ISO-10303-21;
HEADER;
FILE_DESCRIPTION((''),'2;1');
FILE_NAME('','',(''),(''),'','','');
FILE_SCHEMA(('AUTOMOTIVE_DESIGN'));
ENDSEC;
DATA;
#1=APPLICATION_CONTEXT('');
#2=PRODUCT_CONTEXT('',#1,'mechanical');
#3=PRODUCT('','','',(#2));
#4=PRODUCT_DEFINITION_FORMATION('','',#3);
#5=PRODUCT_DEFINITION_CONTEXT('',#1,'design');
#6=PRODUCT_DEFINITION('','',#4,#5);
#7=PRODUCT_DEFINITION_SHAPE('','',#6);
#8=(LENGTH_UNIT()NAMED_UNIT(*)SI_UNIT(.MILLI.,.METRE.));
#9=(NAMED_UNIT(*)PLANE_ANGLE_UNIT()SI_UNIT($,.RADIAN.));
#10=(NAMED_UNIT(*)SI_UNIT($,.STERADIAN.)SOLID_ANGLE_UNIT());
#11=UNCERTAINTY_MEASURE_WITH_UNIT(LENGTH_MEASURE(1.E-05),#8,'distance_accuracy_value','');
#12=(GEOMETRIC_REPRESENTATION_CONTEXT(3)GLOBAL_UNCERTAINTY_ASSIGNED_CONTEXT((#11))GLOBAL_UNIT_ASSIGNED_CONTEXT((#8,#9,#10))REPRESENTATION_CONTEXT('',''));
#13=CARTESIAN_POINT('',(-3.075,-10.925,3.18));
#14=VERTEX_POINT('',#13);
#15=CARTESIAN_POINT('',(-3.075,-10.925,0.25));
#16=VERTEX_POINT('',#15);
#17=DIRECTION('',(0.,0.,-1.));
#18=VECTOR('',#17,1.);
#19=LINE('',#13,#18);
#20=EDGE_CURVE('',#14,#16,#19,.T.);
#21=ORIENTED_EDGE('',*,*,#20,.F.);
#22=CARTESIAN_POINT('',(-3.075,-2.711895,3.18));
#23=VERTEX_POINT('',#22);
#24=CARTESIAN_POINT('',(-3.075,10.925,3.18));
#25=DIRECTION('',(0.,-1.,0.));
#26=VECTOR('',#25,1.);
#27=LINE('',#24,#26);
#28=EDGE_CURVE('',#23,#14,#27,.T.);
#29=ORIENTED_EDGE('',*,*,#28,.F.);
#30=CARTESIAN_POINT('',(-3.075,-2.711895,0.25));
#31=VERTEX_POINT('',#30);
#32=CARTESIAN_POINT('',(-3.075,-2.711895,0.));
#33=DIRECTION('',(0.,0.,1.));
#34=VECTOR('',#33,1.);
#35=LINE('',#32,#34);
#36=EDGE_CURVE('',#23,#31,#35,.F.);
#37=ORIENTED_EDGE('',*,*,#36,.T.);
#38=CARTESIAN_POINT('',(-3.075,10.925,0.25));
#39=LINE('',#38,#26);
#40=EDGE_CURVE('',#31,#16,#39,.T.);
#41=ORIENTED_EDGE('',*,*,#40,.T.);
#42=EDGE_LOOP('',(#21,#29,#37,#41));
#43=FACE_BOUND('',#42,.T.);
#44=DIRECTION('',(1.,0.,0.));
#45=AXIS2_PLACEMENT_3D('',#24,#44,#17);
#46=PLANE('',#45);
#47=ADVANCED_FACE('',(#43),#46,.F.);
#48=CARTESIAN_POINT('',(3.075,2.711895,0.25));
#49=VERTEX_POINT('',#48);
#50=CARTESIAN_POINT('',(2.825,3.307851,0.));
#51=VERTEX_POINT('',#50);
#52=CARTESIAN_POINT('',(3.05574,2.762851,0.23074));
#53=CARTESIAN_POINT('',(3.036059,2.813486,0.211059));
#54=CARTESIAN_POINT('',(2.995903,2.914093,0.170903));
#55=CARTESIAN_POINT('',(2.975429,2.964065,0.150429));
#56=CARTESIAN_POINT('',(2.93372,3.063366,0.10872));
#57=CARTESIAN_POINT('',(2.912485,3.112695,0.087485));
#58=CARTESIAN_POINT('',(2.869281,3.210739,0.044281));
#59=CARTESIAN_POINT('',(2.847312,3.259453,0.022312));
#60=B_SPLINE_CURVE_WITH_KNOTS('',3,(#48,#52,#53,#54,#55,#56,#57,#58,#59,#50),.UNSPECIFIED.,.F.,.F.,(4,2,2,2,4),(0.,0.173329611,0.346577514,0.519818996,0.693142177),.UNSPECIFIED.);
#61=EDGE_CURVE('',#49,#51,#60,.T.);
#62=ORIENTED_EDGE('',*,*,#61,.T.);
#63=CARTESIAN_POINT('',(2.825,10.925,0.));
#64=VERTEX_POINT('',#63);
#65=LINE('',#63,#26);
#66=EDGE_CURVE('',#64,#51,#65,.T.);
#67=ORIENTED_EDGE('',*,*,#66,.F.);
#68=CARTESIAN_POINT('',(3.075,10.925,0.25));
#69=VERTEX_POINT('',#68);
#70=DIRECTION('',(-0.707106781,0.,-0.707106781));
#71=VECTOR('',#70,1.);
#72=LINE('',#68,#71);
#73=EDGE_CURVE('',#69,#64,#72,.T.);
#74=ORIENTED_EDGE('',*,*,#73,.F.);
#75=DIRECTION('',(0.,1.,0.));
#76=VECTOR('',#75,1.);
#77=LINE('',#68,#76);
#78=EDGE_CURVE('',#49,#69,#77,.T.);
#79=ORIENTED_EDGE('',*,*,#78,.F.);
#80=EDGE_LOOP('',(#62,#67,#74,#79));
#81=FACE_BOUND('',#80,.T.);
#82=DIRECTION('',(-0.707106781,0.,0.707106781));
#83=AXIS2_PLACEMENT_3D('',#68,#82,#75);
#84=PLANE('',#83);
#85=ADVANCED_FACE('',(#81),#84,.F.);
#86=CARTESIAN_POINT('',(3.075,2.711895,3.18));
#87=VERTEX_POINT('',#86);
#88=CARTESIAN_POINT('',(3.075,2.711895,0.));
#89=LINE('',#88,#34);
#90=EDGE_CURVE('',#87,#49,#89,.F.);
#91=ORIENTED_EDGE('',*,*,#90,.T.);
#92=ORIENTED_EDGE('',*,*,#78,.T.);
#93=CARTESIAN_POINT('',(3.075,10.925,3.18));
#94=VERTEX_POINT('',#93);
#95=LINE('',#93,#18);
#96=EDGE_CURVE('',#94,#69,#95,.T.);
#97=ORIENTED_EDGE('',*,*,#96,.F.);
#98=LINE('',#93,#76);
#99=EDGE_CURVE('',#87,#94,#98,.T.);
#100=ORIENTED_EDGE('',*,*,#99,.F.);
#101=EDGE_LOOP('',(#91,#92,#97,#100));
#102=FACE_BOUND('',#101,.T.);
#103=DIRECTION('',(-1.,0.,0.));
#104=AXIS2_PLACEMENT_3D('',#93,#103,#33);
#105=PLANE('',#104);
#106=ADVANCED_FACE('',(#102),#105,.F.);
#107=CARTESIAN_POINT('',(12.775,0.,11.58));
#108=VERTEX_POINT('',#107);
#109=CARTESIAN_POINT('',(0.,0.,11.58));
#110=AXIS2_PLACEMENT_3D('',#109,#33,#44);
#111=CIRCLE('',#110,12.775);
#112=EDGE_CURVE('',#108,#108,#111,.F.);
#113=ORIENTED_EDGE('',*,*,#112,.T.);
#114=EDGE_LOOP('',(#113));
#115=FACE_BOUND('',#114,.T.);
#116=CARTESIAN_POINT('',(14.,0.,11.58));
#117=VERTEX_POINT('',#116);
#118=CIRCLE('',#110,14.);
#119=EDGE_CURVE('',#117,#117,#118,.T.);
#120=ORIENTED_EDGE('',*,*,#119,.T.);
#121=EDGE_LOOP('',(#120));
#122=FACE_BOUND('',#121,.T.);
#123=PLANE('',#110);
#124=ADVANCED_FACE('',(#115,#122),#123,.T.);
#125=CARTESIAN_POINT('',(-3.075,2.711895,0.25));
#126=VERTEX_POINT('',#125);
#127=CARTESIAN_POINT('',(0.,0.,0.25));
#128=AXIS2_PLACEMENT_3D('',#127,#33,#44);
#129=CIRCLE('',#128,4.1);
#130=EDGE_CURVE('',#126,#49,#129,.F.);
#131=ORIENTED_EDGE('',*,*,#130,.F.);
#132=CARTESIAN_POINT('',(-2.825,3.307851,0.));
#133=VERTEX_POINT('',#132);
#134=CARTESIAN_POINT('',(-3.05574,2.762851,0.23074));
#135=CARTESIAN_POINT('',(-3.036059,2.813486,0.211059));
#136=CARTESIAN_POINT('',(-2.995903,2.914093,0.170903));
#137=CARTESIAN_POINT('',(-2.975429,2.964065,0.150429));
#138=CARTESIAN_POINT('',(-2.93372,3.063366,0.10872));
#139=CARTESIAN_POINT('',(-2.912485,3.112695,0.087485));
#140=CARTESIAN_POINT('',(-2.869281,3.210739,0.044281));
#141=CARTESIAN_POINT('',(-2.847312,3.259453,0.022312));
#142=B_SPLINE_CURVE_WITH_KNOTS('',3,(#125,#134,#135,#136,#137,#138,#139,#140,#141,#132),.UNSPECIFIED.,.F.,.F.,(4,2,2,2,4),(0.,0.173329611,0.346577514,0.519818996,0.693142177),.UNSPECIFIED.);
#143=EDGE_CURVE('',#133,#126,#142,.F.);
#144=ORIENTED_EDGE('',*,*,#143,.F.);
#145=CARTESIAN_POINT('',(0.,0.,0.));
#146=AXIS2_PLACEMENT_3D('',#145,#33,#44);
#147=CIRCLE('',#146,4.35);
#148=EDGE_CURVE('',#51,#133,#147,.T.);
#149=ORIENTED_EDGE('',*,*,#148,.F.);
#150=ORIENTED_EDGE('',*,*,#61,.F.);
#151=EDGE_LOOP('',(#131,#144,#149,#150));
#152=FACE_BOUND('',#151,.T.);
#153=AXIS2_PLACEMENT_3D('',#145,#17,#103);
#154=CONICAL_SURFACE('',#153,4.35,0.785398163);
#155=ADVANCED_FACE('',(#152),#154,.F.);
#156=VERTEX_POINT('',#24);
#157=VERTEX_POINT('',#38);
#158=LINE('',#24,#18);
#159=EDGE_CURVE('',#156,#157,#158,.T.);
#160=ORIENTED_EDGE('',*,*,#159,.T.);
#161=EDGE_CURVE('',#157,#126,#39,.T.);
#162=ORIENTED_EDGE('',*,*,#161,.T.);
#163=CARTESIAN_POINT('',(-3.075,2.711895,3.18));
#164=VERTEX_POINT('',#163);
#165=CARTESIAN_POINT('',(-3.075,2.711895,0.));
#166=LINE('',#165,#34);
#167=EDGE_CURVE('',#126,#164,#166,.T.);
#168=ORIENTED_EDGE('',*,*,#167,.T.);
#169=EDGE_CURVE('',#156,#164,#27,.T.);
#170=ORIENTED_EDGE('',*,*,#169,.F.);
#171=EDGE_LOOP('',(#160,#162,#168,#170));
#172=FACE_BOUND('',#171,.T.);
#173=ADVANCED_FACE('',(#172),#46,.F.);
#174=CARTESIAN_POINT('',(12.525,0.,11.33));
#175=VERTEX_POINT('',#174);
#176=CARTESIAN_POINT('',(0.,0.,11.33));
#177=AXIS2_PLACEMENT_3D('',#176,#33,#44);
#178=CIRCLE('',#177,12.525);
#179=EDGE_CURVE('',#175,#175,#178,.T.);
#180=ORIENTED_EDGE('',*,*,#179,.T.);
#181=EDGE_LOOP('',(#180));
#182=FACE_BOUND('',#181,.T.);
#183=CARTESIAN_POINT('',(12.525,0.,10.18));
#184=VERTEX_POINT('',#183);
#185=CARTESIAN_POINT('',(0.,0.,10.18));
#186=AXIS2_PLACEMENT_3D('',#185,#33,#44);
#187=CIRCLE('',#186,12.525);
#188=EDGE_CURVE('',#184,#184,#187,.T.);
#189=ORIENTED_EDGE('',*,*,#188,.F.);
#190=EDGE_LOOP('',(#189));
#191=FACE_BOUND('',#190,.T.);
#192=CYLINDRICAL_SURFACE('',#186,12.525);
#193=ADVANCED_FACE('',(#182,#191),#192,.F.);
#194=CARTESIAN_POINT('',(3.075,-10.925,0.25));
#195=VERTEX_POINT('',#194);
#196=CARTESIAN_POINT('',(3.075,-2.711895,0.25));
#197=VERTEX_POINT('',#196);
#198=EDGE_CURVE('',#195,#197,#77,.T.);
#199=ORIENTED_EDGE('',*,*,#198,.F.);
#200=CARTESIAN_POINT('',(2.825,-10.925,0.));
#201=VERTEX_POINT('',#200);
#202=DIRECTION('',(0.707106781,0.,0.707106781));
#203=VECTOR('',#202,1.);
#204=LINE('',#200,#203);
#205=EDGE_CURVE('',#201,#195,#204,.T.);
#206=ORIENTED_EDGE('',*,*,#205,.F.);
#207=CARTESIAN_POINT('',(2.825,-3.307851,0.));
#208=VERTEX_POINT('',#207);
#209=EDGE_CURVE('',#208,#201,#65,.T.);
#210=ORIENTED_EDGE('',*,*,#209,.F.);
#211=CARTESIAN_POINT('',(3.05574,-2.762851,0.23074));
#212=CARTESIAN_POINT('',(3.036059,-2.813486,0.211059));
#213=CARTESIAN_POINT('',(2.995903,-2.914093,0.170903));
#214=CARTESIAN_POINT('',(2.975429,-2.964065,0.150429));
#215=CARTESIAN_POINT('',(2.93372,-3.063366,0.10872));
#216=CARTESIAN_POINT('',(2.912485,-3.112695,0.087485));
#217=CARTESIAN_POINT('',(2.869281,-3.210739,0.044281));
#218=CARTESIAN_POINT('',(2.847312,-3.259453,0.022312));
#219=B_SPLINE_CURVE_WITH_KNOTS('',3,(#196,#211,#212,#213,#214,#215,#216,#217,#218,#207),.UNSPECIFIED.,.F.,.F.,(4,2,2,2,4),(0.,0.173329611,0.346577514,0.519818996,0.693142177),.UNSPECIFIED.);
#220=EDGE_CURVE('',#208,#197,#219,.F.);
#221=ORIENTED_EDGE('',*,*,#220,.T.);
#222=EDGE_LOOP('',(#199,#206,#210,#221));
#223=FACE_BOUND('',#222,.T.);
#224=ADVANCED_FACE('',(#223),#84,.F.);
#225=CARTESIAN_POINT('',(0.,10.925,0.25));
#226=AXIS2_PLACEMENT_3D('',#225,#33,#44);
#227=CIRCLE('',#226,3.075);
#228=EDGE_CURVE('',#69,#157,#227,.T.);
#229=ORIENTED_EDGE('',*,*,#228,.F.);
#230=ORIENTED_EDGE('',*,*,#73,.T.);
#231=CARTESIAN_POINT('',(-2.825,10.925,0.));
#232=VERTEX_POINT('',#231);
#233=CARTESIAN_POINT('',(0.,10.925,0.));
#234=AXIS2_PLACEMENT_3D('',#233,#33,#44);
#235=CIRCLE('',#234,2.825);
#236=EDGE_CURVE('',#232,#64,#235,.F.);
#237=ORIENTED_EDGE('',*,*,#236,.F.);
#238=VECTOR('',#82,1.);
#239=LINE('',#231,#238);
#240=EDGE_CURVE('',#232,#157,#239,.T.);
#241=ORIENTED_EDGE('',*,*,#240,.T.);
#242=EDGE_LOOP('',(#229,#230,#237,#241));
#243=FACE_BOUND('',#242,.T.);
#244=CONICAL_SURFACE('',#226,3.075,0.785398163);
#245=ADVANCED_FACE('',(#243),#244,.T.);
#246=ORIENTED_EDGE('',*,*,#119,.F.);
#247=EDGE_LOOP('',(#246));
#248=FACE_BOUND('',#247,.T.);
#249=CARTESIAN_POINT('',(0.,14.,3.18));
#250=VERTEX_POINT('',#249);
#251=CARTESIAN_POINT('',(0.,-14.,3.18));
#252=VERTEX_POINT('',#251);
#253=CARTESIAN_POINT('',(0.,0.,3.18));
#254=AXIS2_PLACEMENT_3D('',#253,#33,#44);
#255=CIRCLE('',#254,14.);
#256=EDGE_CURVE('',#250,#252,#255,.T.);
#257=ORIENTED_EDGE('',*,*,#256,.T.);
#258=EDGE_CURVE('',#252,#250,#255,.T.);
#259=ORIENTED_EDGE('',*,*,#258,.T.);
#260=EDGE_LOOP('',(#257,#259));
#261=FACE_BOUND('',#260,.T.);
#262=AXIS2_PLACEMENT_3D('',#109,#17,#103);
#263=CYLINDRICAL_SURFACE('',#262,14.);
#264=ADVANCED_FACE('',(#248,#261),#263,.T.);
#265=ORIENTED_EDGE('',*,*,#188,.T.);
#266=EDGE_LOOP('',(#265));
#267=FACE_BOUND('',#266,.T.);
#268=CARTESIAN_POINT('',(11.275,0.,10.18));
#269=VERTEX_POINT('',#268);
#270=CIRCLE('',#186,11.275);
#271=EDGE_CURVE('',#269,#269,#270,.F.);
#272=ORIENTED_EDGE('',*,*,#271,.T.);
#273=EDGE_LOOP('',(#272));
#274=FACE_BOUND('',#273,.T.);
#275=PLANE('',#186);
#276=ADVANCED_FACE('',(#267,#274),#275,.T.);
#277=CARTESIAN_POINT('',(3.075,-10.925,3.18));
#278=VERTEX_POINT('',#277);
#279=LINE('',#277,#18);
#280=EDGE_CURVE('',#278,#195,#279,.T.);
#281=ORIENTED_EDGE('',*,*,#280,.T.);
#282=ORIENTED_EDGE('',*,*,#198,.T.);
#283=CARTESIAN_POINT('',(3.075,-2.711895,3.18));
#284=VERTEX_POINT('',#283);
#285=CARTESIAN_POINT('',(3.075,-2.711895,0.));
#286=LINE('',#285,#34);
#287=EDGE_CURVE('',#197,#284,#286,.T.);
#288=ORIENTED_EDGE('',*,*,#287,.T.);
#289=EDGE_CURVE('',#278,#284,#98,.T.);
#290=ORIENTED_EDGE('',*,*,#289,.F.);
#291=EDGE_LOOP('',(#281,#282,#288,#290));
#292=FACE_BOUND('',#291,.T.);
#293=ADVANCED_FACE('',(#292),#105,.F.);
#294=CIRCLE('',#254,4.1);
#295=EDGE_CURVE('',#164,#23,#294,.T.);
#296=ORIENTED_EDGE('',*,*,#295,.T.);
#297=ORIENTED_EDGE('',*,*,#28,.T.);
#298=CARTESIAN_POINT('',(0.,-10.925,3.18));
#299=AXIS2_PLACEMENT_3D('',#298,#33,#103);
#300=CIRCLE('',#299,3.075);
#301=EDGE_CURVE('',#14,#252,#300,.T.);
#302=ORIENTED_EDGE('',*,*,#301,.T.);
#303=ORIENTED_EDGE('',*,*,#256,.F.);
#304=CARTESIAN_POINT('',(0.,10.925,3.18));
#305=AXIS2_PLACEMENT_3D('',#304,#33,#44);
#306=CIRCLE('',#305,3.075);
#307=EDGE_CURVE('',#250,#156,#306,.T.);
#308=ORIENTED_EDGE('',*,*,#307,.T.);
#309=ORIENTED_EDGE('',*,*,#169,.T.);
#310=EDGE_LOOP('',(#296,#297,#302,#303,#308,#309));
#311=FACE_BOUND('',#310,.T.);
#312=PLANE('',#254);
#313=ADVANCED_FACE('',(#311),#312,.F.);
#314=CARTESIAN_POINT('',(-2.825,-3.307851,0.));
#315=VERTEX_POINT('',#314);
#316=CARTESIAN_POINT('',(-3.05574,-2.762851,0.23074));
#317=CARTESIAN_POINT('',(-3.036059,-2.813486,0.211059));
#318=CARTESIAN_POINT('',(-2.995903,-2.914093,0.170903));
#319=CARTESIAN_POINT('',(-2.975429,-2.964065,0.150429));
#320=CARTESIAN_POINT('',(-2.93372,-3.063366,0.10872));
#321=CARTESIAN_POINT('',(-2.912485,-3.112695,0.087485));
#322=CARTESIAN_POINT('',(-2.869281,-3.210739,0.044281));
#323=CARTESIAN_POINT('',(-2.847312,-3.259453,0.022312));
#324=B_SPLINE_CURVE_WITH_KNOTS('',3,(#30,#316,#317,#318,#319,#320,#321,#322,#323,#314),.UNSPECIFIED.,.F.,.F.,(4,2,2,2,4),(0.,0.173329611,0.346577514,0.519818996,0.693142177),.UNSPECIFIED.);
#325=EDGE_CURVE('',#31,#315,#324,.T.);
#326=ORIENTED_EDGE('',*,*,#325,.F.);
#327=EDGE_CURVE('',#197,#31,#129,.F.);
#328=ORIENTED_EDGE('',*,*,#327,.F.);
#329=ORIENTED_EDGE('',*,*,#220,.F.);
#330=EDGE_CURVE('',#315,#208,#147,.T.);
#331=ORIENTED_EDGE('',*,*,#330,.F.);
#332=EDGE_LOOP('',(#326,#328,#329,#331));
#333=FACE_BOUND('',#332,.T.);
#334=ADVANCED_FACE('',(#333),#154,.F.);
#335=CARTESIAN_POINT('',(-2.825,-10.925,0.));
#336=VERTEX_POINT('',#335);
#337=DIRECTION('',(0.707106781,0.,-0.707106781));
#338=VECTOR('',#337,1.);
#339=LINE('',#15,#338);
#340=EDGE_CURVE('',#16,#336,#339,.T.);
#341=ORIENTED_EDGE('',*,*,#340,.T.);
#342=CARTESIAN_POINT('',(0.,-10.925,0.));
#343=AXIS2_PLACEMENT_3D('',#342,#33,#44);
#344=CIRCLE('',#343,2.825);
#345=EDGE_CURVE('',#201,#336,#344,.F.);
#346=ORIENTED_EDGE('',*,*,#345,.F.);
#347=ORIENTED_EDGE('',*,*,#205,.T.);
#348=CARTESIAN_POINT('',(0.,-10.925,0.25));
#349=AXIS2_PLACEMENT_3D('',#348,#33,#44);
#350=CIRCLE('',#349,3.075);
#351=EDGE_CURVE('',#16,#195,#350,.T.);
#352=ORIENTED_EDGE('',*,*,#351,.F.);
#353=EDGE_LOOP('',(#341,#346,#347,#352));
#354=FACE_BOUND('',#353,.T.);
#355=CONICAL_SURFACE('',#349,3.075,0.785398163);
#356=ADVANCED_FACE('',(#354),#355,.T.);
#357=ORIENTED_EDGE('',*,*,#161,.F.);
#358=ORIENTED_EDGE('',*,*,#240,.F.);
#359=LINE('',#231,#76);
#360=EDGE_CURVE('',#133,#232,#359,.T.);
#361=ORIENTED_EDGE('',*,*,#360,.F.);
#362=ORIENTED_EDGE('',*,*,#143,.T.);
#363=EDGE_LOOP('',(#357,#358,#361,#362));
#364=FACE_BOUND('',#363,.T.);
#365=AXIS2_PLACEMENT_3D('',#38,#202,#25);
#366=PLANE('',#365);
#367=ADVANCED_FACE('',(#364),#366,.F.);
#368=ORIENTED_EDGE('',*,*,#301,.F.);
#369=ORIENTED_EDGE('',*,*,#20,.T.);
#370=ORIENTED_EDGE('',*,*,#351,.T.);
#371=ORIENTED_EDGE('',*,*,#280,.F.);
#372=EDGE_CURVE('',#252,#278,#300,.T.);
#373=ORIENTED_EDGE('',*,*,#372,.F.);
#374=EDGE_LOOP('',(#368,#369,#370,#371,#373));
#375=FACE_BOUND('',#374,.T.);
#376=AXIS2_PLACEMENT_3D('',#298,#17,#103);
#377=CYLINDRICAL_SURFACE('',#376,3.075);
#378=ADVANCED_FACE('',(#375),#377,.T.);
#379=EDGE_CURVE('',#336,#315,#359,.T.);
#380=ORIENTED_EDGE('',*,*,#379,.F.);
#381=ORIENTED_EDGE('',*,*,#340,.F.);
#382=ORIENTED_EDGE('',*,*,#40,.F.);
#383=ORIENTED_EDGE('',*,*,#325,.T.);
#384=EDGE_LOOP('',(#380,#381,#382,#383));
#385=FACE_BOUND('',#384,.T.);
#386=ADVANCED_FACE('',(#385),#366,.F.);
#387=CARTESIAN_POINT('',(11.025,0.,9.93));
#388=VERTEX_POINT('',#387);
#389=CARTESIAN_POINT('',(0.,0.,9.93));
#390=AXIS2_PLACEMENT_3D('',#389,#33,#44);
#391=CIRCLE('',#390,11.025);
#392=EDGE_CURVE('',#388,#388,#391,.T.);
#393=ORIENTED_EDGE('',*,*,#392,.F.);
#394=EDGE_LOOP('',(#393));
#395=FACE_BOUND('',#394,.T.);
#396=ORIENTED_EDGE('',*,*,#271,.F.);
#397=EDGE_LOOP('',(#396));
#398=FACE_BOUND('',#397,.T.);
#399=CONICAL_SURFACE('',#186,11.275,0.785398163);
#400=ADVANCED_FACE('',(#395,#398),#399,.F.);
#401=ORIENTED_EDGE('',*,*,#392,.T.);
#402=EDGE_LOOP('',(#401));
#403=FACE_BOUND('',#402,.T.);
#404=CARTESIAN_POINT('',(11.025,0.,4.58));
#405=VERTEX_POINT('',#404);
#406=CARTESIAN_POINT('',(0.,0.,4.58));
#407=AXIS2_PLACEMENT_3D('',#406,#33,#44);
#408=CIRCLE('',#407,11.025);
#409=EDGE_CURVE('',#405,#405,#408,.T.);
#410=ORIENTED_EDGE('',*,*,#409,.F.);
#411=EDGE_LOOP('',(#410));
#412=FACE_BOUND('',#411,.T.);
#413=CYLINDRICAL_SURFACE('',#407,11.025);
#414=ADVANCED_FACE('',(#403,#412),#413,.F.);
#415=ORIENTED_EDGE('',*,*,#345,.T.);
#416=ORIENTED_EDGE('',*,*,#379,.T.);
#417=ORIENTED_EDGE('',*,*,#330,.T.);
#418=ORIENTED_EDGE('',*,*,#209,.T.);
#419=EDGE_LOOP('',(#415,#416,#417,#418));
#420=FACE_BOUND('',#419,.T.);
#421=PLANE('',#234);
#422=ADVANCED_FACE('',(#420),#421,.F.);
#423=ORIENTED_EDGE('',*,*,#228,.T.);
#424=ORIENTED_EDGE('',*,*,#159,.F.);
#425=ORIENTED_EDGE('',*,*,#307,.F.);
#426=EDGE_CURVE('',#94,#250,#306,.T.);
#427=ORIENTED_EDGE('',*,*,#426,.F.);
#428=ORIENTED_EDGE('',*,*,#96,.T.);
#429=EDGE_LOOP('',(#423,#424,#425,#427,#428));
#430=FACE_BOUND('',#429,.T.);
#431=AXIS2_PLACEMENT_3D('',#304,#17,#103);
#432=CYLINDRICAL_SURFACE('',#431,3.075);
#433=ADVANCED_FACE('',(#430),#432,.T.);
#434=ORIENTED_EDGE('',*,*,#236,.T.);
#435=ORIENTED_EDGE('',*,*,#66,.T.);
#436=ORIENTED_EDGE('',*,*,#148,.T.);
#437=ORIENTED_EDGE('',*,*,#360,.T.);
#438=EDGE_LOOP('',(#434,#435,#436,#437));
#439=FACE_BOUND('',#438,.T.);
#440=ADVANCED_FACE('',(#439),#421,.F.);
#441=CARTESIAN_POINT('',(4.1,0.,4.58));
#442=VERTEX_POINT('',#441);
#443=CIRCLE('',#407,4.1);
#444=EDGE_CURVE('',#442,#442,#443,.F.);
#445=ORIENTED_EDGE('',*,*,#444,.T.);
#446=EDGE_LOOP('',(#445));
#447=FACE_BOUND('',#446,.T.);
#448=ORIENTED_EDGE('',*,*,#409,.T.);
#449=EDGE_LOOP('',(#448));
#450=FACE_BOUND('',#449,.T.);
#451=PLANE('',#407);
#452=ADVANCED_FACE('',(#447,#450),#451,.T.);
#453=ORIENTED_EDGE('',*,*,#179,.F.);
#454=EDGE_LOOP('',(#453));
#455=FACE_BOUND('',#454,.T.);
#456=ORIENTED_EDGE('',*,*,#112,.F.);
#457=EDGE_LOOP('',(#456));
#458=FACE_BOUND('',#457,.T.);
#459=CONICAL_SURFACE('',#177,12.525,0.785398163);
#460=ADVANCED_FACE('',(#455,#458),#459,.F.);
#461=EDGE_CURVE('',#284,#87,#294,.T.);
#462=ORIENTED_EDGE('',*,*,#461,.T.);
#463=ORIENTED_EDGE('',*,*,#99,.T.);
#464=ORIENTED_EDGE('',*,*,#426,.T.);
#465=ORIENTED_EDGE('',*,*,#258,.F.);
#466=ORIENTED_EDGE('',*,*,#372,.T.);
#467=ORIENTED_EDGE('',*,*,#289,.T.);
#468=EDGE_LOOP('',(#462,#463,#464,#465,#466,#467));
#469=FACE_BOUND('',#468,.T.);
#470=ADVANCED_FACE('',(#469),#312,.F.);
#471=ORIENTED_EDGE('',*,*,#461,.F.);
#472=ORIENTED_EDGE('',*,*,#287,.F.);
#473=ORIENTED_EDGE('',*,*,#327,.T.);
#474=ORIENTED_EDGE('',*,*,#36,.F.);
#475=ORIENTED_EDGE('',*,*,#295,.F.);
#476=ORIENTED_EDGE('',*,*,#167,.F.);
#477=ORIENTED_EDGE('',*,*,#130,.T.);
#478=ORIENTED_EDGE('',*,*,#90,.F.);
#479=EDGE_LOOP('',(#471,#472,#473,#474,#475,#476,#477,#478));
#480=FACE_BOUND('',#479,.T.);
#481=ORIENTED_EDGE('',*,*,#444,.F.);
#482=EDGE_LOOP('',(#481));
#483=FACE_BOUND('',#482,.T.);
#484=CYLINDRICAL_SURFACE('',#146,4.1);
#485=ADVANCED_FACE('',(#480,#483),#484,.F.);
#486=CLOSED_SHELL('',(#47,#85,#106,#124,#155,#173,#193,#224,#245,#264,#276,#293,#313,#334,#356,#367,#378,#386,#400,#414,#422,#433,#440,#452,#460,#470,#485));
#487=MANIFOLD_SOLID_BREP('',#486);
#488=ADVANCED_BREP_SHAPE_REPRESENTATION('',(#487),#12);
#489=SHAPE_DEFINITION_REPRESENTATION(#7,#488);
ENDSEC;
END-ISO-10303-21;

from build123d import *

# Parameters (mm, degrees)
BOSS_EXTRUDE1_DEPTH = 3.18
SKETCH2_R           = 14
BOSS_EXTRUDE2_DEPTH = 8.4
SKETCH3_R           = 4.1
CUT_EXTRUDE1_DEPTH  = 23.936791406
SKETCH4_R           = 11.025
CUT_EXTRUDE2_DEPTH  = 7
SKETCH5_R           = 12.525
CUT_EXTRUDE3_DEPTH  = 1.4
CHAMFER1_SIZE       = 0.25


with BuildPart() as part:
    # Sketch1 → Boss-Extrude1 (new body)
    with BuildSketch(Plane.XY):
        with BuildLine():
            Line((3.075, 10.925), (3.075, -10.925))
            ThreePointArc((3.075, -10.925), (0, -14), (-3.075, -10.925))
            Line((-3.075, -10.925), (-3.075, 10.925))
            ThreePointArc((-3.075, 10.925), (0, 14), (3.075, 10.925))
        make_face()
    extrude(amount=BOSS_EXTRUDE1_DEPTH)

    # Sketch2 → Boss-Extrude2 (add)
    with BuildSketch(Plane.XY.offset(3.18)):
        with Locations(Location((0, 0, 0), (0, 0, 270))):
            Circle(SKETCH2_R)
    extrude(amount=BOSS_EXTRUDE2_DEPTH)

    # Sketch3 → Cut-Extrude1 (cut, through all)
    with BuildSketch(Plane.XY.offset(11.58)):
        Circle(SKETCH3_R)
    extrude(amount=-CUT_EXTRUDE1_DEPTH, mode=Mode.SUBTRACT)

    # Sketch4 → Cut-Extrude2 (cut)
    with BuildSketch(Plane.XY.offset(11.58)):
        Circle(SKETCH4_R)
    extrude(amount=-CUT_EXTRUDE2_DEPTH, mode=Mode.SUBTRACT)

    # Sketch5 → Cut-Extrude3 (cut)
    with BuildSketch(Plane.XY.offset(11.58)):
        Circle(SKETCH5_R)
    extrude(amount=-CUT_EXTRUDE3_DEPTH, mode=Mode.SUBTRACT)

    # Chamfer1
    chamfer1_edges = [part.edges().sort_by_distance(p)[0] for p in [
        (3.075, 6.818447547, 0),
        (-3.075, -6.818447547, 0),
        (0, -4.1, 0),
        (0, 4.1, 0),
        (-12.525, 0, 11.58),
        (-11.025, 0, 10.18),
        (3.075, -6.818447547, 0),
        (0, -14, 0),
        (-3.075, 6.818447547, 0),
        (0, 14, 0),
    ]]
    chamfer(chamfer1_edges, length=CHAMFER1_SIZE)


solid = part.part
